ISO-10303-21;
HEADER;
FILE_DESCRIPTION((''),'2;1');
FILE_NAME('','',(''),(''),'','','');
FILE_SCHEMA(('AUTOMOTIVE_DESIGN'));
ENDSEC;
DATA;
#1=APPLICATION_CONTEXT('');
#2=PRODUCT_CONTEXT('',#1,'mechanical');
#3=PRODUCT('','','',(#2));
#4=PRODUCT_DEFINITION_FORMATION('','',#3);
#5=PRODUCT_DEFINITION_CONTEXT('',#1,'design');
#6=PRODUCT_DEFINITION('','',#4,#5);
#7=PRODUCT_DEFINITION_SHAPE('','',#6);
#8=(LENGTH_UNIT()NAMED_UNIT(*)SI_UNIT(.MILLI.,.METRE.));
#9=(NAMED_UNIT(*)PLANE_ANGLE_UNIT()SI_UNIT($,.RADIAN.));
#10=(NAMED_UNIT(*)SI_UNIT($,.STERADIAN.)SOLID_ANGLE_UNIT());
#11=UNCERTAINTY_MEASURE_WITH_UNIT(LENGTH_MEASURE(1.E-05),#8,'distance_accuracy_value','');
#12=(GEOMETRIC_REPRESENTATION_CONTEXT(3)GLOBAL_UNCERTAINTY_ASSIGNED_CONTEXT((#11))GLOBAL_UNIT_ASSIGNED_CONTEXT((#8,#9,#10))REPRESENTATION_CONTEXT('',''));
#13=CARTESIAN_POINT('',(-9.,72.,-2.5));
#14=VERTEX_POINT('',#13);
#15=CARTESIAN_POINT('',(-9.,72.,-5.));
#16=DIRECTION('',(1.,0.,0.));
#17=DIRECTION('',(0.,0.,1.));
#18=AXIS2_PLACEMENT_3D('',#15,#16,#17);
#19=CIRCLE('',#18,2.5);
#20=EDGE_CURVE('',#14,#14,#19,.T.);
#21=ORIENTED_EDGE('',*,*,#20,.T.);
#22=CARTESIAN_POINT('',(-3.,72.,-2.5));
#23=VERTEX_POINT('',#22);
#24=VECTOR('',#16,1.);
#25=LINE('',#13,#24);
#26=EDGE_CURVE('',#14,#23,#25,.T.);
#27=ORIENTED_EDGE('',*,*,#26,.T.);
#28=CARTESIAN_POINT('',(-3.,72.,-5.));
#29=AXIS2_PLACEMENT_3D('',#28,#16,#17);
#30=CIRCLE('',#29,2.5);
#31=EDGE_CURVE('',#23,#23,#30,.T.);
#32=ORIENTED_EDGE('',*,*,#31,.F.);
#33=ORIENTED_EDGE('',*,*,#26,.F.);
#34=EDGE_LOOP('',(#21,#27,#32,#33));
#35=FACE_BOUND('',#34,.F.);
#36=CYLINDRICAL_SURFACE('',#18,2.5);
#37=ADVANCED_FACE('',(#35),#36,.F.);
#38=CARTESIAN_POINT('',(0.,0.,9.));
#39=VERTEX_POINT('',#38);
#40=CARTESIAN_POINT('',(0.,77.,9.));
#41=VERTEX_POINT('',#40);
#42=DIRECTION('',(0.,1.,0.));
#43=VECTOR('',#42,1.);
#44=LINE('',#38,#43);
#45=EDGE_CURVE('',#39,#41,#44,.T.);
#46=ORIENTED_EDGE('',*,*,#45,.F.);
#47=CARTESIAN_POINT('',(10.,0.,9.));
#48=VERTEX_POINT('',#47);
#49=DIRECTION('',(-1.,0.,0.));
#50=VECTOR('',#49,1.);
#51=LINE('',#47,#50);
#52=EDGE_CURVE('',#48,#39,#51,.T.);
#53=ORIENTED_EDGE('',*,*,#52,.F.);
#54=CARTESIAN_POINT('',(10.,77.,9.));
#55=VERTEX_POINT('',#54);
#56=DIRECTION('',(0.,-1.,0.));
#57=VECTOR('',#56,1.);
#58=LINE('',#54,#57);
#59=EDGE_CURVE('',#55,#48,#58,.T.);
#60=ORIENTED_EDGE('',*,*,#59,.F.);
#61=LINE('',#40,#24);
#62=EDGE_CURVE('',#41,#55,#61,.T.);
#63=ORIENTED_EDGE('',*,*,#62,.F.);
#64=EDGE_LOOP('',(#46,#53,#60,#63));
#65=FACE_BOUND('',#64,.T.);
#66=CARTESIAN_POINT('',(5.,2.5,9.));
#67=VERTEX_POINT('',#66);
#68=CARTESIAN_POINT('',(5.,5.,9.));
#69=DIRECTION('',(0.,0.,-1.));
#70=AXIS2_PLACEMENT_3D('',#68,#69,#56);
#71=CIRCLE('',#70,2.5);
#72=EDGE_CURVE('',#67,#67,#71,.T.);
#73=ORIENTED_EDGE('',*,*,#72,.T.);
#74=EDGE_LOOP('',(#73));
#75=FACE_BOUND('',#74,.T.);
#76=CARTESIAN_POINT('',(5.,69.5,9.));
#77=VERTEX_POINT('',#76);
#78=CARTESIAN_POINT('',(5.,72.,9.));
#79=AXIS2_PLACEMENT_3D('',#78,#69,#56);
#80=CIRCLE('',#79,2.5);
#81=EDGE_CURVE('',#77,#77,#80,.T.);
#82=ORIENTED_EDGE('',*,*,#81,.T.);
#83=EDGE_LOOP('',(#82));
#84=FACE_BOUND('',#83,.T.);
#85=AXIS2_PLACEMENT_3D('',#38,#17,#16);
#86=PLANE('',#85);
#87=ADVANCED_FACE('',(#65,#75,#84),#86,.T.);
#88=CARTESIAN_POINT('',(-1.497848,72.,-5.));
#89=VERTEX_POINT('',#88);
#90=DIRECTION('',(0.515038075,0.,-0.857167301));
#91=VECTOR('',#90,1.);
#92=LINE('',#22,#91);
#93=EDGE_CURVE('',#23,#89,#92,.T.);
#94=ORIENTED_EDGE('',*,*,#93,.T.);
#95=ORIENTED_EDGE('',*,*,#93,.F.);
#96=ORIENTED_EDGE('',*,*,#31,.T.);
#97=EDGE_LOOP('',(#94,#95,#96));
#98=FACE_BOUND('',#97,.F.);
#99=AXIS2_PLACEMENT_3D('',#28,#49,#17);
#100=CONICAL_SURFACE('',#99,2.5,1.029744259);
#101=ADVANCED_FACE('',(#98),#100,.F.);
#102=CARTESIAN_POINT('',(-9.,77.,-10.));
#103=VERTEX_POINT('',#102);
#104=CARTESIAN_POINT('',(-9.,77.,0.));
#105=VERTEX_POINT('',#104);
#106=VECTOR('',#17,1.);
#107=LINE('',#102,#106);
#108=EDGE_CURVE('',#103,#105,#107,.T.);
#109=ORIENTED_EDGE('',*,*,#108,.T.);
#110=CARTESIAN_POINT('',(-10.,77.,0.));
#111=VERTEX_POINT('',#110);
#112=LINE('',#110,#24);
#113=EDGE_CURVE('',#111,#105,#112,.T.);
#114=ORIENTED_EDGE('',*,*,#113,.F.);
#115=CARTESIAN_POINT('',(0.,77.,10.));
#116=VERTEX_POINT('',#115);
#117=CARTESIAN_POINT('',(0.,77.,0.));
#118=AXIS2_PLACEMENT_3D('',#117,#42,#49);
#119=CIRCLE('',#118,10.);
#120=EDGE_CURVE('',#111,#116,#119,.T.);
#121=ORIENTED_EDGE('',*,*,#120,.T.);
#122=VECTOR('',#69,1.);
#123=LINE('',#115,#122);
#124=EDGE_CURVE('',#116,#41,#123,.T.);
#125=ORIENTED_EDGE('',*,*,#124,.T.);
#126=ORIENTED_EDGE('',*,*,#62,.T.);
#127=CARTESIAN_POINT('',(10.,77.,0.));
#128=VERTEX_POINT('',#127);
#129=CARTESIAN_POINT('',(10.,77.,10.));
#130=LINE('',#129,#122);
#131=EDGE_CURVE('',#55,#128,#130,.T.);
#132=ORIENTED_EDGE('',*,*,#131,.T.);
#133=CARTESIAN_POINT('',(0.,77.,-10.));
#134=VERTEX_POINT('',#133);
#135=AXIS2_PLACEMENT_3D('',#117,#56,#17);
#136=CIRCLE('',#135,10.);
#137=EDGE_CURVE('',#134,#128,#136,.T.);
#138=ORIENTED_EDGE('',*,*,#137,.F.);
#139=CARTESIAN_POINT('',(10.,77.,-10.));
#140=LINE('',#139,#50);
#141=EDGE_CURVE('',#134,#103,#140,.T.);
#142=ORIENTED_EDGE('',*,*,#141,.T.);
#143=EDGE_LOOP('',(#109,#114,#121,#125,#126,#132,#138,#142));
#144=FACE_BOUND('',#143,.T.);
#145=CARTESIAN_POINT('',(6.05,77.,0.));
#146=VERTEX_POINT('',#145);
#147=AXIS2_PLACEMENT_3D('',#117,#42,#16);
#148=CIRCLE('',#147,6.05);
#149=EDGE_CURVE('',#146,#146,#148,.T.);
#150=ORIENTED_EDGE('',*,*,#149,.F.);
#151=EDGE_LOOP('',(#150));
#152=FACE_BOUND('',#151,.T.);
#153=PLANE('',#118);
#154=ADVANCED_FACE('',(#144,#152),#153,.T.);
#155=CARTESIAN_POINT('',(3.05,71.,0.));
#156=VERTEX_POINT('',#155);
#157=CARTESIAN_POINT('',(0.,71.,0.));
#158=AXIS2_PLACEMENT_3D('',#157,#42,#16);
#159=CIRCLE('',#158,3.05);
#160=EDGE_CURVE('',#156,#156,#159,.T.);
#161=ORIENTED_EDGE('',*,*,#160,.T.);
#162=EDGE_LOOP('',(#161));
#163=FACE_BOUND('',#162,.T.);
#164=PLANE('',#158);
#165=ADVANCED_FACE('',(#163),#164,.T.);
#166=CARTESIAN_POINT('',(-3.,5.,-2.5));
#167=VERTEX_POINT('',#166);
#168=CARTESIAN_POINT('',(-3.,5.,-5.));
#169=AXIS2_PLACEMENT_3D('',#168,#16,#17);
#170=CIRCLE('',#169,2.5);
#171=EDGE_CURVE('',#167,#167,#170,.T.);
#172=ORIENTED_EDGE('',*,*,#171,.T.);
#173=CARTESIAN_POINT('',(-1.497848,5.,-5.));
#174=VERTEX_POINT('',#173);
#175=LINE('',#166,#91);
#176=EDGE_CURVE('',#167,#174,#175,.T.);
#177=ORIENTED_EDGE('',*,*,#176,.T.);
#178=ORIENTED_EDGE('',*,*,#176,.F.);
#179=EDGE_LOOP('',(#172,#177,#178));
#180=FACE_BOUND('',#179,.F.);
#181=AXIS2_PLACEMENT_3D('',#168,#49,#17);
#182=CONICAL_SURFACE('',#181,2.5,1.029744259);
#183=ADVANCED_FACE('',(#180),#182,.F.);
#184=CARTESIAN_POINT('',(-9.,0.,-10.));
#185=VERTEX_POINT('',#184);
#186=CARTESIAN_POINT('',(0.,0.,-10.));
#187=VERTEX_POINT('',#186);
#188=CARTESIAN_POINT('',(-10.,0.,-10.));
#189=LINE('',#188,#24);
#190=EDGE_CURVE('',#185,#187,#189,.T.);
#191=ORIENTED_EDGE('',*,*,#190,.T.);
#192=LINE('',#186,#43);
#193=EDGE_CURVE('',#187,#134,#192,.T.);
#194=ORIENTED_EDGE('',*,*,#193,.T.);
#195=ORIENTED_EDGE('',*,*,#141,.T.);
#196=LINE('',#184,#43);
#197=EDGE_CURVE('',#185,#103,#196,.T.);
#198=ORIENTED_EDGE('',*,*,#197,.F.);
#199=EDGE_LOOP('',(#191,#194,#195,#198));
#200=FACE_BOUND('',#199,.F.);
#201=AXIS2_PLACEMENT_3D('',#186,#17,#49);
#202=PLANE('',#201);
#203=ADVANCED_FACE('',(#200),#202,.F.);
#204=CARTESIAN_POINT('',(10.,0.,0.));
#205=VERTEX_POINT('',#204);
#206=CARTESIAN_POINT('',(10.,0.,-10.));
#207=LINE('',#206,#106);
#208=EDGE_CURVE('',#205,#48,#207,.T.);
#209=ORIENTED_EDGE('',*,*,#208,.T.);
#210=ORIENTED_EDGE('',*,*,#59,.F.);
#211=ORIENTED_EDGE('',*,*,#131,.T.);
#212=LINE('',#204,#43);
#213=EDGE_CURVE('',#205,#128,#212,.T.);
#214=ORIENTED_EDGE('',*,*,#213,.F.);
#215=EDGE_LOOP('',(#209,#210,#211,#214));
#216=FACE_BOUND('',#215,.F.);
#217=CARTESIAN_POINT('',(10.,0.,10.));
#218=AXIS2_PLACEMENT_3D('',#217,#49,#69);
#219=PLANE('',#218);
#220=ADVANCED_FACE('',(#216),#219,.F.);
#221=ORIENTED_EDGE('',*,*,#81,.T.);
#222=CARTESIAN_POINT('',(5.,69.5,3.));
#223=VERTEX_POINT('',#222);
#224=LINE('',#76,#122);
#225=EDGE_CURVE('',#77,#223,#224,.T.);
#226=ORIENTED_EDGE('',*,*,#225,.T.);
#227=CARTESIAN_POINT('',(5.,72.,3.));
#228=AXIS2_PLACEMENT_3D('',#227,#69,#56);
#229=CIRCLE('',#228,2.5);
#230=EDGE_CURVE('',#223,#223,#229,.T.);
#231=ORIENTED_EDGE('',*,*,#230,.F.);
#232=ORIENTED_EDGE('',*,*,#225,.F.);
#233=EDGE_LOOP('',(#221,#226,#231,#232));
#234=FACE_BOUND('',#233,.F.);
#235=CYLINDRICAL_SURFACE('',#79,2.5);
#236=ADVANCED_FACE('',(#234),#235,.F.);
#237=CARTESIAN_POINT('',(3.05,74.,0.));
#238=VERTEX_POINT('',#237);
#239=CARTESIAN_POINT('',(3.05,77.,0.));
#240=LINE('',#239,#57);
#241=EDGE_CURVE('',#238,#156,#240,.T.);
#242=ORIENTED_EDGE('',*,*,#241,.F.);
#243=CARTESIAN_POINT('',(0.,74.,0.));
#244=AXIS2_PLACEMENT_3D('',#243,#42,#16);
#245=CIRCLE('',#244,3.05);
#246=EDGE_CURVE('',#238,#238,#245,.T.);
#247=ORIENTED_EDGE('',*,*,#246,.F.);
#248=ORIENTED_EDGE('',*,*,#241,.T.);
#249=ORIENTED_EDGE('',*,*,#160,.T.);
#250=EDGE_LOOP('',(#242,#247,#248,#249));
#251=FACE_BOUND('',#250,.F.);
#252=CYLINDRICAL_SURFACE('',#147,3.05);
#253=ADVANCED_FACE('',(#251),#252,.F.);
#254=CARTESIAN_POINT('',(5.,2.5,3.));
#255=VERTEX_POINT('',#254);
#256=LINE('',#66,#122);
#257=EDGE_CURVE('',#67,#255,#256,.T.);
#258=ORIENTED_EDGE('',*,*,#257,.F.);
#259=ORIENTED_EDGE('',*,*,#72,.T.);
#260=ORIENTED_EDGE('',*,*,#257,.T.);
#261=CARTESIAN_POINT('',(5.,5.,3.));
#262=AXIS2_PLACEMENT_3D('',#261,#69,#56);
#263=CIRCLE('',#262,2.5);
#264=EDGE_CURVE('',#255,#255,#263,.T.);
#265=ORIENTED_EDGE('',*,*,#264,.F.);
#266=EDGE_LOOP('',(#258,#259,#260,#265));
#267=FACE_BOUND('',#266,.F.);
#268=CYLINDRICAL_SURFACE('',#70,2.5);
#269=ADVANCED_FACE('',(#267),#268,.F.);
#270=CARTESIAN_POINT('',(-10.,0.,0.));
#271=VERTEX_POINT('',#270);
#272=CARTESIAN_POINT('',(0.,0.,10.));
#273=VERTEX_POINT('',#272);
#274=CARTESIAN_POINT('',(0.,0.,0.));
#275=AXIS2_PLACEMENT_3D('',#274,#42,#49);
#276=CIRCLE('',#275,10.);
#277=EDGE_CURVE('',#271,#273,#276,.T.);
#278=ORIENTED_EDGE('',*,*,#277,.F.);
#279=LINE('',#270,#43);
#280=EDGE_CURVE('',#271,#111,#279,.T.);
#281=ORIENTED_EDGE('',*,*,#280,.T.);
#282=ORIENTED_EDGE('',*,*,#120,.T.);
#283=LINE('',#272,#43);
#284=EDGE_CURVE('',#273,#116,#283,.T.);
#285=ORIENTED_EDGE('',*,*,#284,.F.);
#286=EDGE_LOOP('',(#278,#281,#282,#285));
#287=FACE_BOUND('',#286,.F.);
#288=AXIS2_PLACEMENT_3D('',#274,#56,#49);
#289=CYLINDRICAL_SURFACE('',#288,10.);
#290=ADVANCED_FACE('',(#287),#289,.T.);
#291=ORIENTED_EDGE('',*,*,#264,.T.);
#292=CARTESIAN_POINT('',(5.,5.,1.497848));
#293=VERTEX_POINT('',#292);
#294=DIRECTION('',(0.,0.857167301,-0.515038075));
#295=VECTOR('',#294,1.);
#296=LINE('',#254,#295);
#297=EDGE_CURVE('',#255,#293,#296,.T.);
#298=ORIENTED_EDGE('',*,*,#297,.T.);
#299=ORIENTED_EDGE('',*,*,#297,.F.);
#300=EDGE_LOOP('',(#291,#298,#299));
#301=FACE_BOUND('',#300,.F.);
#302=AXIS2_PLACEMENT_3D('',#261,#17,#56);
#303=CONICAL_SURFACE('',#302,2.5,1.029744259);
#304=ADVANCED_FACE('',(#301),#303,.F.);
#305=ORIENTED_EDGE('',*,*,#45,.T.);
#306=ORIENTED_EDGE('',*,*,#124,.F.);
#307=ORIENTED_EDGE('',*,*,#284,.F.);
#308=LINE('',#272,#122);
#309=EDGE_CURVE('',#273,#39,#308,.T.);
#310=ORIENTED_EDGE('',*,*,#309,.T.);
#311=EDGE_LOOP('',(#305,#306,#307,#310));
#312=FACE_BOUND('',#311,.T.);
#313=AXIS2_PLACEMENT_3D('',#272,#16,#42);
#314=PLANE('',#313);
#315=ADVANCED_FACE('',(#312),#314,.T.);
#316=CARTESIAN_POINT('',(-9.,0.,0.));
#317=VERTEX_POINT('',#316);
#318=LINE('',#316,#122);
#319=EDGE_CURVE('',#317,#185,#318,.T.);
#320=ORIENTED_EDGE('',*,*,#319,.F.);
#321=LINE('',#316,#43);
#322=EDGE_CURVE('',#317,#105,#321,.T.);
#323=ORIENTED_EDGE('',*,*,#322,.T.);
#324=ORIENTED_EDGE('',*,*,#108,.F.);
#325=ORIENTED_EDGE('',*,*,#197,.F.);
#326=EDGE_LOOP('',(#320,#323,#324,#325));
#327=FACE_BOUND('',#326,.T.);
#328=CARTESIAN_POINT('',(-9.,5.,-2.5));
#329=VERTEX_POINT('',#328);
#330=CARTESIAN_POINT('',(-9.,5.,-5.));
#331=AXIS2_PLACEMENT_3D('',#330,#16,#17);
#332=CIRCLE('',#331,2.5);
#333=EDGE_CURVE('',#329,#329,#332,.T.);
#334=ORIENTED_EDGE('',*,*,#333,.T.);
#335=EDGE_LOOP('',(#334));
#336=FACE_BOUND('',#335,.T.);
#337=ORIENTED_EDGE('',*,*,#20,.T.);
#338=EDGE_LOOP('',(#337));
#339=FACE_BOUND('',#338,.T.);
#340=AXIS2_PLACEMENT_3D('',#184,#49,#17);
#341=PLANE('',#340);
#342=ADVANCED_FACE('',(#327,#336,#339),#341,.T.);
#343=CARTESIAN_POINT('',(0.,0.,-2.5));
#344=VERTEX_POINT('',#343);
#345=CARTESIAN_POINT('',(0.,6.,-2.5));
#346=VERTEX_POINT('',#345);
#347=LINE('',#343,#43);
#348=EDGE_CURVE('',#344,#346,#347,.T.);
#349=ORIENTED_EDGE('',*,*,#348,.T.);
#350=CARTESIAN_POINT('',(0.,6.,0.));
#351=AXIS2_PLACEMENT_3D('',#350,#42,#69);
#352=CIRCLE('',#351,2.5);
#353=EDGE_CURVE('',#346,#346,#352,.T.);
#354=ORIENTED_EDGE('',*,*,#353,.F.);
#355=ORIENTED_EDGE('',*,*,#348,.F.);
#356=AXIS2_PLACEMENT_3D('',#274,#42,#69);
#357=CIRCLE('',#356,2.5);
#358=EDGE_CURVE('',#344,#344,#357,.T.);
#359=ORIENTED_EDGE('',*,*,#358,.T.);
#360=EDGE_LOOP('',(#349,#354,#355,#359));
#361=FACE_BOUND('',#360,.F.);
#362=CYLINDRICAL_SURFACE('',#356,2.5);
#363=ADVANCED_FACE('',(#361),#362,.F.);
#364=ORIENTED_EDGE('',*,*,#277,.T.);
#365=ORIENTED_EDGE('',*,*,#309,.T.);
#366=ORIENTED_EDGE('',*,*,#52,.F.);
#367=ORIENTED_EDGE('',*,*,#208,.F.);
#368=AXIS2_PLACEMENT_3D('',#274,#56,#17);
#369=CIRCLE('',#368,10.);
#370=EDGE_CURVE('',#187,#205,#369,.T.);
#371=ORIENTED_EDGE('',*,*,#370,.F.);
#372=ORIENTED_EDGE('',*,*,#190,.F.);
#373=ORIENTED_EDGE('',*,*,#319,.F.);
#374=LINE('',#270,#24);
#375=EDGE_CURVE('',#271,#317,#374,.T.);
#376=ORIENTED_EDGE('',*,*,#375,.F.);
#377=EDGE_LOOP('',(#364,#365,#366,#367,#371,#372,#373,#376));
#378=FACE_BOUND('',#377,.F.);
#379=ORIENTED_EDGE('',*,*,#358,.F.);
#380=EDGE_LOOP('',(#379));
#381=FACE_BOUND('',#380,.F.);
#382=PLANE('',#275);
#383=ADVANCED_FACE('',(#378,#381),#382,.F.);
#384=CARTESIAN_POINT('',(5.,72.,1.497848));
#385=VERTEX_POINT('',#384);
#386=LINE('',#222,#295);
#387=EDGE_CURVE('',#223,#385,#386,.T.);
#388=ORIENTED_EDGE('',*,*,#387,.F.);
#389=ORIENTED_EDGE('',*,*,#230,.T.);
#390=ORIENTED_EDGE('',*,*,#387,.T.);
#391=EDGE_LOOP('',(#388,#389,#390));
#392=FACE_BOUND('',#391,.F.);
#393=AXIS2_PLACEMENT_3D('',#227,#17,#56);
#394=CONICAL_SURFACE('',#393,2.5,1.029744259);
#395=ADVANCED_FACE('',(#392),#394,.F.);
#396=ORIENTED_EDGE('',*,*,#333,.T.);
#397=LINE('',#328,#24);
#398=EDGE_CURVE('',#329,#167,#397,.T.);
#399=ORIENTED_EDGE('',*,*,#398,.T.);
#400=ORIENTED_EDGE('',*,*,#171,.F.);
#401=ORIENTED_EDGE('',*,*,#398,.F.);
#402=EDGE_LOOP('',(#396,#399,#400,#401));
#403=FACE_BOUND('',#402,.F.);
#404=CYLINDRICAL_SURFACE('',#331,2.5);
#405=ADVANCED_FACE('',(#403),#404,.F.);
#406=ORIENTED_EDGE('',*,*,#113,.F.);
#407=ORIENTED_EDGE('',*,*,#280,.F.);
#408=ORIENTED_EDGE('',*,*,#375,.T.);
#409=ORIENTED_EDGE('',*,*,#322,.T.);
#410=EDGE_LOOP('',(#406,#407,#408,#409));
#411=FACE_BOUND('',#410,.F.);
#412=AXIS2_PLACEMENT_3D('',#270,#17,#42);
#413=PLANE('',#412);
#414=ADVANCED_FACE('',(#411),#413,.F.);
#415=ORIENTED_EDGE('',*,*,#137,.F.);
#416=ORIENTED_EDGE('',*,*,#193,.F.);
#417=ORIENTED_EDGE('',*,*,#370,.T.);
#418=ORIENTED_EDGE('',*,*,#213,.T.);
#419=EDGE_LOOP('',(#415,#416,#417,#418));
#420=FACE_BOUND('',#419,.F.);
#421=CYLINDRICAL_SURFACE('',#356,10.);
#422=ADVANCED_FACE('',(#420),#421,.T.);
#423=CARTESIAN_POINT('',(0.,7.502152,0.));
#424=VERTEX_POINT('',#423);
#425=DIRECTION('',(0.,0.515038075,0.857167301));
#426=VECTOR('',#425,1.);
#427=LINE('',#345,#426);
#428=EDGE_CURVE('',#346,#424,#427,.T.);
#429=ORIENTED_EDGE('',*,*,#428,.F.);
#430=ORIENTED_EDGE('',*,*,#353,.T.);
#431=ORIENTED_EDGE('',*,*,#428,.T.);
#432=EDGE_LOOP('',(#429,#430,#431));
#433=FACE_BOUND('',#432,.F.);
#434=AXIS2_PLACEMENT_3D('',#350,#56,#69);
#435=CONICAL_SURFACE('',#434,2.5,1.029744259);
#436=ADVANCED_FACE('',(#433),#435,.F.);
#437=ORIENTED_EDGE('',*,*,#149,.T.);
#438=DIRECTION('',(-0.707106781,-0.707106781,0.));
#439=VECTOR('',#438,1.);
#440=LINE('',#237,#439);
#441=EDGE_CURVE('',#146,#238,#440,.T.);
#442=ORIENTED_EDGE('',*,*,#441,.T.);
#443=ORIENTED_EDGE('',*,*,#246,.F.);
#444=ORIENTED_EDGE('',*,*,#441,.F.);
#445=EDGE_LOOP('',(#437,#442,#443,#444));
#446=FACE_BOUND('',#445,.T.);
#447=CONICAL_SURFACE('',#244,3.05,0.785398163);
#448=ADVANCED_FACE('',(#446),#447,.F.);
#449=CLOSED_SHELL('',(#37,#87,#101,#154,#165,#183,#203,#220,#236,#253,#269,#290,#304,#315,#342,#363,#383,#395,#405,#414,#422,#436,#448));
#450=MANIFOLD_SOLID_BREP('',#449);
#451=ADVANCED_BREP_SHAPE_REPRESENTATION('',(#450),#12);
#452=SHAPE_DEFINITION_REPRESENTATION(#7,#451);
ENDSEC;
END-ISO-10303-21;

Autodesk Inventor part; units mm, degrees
ref_plane "YZ Plane" through (0, 0, 0) normal (1, 0, 0) x (0, 1, 0)
ref_plane "XZ Plane" through (0, 0, 0) normal (0, 1, 0) x (-1, 0, 0)
ref_plane "XY Plane" through (0, 0, 0) normal (0, 0, 1) x (1, 0, 0)
sketch "スケッチ1" plane through (0, 0, 0) normal (0, 1, 0) x (-1, 0, 0)
  circle A0 centre (0, 0) radius 10
  line L0 (0, 10) -> (-10, 10)
  line L1 (-10, 10) -> (-10, -10)
  line L2 (-10, -10) -> (10, -10)
  line L3 (10, -10) -> (10, 0)
  dimension "d0" = 20
  dimension "d1" = 10
  dimension "d2" = 10
extrude "押し出し1" add sketch "スケッチ1" along normal blind 77
sketch "スケッチ2" plane through (0, 0, 10) normal (0, 0, 1) x (1, 0, 0)
  line L0 (0, 0) -> (0, 77) projected
  line L1 (0, 77) -> (10, 77) projected
  line L2 (10, 77) -> (10, 0) projected
  line L3 (10, 0) -> (0, 0) projected
extrude "押し出し2" cut sketch "スケッチ2" against normal blind 1
sketch "スケッチ3" plane through (-10, 0, -10) normal (-1, 0, 0) x (0, 0, 1)
  line L0 (0, 77) -> (10, 77) projected
  line L1 (10, 0) -> (10, 77) projected
  line L2 (10, 0) -> (0, 0) projected
  line L3 (0, 0) -> (0, 77) projected
extrude "押し出し3" cut sketch "スケッチ3" against normal blind 1
sketch "スケッチ4" plane through (0, 0, 9) normal (0, 0, 1) x (1, 0, 0)
  line L0 (0, 77) -> (10, 77) projected
  line L1 (10, 77) -> (10, 0) projected
  line L2 (10, 0) -> (0, 0) projected
  point P0 (5, 72)
  point P1 (5, 5)
  dimension "d9" = 5
  dimension "d10" = 5
  dimension "d11" = 5
hole "穴1" at (5, 72, 9) at (5, 5, 9) direction (0, 0, -1) diameter 5 depth 6 tip angle 118
sketch "スケッチ5" plane through (0, 0, 0) normal (0, 1, 0) x (1, 0, 0)
  point P0 (0, 0)
hole "穴2" at (0, 0, 0) direction (0, 1, 0) diameter 5 depth 6 tip angle 118
sketch "スケッチ6" plane through (-9, 0, -10) normal (-1, 0, 0) x (0, 0, 1)
  line L0 (0, 0) -> (0, 77) projected
  line L1 (0, 77) -> (10, 77) projected
  line L2 (10, 0) -> (0, 0) projected
  point P0 (5, 72)
  point P1 (5, 5)
  dimension "d26" = 5
  dimension "d27" = 5
  dimension "d28" = 5
  dimension "d29" = 5
hole "穴3" at (-9, 72, -5) at (-9, 5, -5) direction (1, 0, 0) diameter 5 depth 6 tip angle 118
sketch "スケッチ7" plane through (0, 77, 0) normal (0, 1, 0) x (1, 0, 0)
  circle A0 centre (0, 0) radius 3.05
  dimension "d37" = 6.1
extrude "押し出し4" cut sketch "スケッチ7" against normal blind 6
chamfer "面取り1" distance 3 angle 45 1 edges at (-3.05, 77, 0)
fillet "フィレット1" radius 10 1 edges at (10, 38.5, -10)
equation "\"d11\" = d9"
properties part number "base6" material "ABS プラスチック"
